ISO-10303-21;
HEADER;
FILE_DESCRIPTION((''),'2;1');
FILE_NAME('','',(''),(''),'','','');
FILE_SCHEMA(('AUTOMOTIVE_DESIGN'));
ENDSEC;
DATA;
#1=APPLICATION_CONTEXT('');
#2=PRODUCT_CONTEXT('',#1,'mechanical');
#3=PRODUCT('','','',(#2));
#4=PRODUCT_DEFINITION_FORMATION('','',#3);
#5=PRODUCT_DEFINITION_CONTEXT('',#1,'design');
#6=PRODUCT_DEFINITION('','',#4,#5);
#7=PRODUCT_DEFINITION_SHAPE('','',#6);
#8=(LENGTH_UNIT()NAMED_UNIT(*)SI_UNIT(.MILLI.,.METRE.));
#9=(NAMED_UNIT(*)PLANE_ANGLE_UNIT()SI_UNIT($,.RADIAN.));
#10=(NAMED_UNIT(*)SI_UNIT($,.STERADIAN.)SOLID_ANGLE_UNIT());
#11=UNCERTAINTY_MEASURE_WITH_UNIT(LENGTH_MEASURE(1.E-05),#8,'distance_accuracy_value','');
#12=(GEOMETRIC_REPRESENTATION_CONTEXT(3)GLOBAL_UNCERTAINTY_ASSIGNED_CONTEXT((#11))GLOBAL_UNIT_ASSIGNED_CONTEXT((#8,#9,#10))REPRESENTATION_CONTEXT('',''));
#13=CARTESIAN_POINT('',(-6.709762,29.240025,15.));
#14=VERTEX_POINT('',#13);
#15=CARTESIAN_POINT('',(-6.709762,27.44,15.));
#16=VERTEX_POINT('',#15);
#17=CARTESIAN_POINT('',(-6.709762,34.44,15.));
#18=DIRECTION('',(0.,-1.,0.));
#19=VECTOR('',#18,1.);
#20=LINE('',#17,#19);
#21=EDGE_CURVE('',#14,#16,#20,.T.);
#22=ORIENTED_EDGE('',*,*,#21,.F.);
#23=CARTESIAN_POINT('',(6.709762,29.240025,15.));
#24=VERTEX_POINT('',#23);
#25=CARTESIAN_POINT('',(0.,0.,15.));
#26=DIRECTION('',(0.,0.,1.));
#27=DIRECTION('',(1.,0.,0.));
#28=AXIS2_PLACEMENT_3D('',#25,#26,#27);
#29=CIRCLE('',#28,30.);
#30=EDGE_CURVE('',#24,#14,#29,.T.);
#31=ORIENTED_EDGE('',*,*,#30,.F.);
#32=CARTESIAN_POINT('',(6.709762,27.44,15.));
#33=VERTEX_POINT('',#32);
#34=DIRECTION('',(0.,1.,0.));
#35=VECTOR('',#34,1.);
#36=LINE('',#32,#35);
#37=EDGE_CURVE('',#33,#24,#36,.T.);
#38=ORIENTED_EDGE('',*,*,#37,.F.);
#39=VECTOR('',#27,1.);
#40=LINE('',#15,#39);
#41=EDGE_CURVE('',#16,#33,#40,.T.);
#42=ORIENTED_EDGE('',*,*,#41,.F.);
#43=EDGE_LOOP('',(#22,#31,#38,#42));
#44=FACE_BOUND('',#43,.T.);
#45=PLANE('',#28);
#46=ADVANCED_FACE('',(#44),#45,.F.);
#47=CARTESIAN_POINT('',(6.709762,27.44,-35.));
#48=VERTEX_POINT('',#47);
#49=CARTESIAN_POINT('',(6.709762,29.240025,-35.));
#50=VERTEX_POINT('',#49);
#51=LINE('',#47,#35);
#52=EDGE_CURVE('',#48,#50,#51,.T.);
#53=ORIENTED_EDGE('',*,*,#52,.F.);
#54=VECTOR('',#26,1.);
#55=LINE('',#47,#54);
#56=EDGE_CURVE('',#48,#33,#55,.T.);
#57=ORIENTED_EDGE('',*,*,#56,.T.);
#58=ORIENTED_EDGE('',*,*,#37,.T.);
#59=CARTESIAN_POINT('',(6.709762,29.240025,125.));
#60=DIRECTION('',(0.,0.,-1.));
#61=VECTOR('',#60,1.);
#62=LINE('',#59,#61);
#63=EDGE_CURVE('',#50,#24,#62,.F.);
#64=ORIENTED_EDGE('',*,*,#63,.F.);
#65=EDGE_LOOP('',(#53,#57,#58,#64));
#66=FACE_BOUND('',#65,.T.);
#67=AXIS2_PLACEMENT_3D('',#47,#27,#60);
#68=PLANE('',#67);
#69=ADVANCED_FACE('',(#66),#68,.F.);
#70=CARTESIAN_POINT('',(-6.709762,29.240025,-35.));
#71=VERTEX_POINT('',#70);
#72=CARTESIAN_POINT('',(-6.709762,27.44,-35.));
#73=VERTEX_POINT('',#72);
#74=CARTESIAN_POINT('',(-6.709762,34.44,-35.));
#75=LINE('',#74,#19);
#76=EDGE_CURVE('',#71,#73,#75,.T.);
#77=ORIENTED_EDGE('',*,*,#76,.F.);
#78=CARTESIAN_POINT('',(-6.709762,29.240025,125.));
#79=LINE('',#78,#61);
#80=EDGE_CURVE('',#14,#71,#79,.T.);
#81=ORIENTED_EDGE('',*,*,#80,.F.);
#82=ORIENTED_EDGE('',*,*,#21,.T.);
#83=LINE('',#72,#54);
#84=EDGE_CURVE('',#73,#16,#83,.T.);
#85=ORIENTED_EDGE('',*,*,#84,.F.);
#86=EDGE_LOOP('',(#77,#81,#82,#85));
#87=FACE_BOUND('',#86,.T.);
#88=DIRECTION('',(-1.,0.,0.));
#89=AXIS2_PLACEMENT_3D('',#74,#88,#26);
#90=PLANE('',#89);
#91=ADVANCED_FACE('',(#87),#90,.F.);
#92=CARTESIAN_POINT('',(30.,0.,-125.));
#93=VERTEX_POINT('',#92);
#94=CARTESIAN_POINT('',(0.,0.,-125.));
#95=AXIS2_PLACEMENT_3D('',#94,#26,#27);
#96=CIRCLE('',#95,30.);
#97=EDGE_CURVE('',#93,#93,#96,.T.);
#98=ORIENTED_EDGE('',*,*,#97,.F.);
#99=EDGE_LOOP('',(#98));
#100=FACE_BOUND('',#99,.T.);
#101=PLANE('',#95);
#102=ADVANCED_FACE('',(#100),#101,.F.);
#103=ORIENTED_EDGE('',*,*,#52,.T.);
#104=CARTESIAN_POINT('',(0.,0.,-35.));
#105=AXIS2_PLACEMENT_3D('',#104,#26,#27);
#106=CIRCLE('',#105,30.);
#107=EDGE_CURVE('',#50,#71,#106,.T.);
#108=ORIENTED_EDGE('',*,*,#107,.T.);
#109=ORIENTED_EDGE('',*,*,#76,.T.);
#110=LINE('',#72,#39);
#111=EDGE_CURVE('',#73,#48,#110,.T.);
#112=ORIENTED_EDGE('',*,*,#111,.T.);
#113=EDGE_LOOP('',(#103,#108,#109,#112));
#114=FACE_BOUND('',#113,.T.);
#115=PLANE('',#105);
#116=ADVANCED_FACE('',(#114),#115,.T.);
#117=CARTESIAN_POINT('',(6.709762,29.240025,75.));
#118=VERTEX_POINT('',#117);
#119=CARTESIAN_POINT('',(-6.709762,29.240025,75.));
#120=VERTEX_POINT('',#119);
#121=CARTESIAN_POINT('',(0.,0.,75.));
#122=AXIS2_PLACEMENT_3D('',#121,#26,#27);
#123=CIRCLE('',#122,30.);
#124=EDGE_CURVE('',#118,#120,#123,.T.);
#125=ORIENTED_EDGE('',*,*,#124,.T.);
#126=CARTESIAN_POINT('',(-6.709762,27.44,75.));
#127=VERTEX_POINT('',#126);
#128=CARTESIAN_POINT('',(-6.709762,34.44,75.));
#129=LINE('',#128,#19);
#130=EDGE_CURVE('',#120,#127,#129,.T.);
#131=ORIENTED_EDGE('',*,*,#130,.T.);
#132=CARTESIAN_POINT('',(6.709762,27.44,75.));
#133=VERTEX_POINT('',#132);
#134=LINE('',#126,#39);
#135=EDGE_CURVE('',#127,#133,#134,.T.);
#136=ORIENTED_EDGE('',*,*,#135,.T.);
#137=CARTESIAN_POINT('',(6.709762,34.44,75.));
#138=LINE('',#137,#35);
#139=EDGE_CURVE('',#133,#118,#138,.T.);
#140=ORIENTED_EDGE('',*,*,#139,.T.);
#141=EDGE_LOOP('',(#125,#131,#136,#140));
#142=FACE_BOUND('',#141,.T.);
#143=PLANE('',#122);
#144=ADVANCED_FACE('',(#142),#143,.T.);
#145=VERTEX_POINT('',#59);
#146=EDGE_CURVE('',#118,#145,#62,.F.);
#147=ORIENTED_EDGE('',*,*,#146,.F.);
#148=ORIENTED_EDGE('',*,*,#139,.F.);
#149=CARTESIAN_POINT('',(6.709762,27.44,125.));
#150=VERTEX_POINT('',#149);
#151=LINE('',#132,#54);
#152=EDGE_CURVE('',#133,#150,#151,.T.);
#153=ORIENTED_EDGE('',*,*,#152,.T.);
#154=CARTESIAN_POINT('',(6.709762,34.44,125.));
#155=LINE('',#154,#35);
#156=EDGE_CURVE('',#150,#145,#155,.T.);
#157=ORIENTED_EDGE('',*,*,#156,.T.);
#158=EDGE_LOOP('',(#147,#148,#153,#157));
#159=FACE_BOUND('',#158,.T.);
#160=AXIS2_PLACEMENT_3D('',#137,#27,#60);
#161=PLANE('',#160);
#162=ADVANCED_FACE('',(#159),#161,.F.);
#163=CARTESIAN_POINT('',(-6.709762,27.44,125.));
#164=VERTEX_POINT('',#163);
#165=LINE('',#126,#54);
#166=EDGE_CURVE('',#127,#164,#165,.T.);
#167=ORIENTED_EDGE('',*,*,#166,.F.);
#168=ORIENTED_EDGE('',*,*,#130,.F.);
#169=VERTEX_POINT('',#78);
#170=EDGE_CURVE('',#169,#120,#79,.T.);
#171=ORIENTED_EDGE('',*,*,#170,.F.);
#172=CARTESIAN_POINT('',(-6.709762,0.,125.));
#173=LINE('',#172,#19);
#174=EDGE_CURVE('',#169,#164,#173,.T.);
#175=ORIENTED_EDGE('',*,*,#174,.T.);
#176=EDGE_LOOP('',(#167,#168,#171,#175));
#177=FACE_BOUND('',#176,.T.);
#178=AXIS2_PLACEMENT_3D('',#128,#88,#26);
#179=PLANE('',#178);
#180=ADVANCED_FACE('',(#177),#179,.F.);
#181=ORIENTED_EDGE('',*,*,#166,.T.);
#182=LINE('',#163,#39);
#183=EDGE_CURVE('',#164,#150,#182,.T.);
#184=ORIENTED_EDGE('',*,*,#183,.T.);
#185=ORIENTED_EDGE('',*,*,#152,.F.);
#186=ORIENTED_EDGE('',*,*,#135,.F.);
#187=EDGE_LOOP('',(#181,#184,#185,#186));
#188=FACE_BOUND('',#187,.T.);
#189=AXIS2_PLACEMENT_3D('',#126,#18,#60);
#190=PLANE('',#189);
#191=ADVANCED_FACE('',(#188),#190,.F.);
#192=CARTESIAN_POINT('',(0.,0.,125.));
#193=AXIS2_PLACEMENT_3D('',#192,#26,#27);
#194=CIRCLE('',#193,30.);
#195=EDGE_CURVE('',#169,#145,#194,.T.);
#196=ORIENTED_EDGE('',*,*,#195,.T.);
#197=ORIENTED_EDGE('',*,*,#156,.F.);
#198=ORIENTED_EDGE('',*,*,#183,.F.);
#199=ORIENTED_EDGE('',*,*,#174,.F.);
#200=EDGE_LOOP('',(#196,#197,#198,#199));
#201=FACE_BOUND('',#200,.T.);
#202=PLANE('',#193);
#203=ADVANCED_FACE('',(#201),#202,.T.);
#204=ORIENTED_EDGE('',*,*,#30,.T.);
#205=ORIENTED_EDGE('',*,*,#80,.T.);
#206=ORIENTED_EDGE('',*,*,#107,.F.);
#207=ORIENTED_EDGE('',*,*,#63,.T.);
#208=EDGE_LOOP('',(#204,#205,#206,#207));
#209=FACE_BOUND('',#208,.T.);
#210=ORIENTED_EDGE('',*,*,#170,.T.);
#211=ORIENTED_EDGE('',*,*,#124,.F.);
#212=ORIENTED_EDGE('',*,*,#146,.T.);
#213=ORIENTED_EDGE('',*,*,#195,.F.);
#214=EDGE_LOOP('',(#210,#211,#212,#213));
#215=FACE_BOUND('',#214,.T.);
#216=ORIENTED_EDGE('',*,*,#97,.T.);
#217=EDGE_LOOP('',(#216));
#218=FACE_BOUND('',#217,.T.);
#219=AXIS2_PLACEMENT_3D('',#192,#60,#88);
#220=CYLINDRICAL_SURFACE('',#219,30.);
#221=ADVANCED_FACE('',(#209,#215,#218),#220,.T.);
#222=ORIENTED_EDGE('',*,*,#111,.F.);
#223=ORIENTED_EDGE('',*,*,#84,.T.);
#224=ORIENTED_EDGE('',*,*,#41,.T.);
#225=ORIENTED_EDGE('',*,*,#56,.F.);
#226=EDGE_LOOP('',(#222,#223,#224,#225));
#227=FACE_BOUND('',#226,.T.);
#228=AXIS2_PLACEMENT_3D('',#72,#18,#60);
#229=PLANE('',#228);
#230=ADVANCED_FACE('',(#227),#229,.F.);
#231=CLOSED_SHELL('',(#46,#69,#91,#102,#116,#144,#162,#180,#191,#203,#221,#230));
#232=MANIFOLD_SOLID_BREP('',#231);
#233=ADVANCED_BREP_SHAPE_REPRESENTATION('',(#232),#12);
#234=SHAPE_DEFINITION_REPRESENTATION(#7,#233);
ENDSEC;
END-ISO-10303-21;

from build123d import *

# Parameters (mm, degrees)
SKETCH1_R           = 30
BOSS_EXTRUDE1_DEPTH = 125
SKETCH2_W           = 13.419524584
SKETCH2_H           = 7
CUT_EXTRUDE1_DEPTH  = 50
SKETCH3_W           = 13.419524584
SKETCH3_H           = 7
CUT_EXTRUDE2_DEPTH  = 50


with BuildPart() as part:
    # Sketch1 → Boss-Extrude1 (new, symmetric)
    with BuildSketch(Plane.XY):
        Circle(SKETCH1_R)
    extrude(amount=BOSS_EXTRUDE1_DEPTH, both=True)

    # Sketch2 → Cut-Extrude1 (cut)
    with BuildSketch(Plane.XY.offset(125)):
        with Locations((0, 30.94)):
            Rectangle(SKETCH2_W, SKETCH2_H)
    extrude(amount=-CUT_EXTRUDE1_DEPTH, mode=Mode.SUBTRACT)

    # Sketch3 → Cut-Extrude2 (cut)
    with BuildSketch(Plane.XY.offset(15)):
        with Locations((0, 30.94)):
            Rectangle(SKETCH3_W, SKETCH3_H)
    extrude(amount=-CUT_EXTRUDE2_DEPTH, mode=Mode.SUBTRACT)


solid = part.part
